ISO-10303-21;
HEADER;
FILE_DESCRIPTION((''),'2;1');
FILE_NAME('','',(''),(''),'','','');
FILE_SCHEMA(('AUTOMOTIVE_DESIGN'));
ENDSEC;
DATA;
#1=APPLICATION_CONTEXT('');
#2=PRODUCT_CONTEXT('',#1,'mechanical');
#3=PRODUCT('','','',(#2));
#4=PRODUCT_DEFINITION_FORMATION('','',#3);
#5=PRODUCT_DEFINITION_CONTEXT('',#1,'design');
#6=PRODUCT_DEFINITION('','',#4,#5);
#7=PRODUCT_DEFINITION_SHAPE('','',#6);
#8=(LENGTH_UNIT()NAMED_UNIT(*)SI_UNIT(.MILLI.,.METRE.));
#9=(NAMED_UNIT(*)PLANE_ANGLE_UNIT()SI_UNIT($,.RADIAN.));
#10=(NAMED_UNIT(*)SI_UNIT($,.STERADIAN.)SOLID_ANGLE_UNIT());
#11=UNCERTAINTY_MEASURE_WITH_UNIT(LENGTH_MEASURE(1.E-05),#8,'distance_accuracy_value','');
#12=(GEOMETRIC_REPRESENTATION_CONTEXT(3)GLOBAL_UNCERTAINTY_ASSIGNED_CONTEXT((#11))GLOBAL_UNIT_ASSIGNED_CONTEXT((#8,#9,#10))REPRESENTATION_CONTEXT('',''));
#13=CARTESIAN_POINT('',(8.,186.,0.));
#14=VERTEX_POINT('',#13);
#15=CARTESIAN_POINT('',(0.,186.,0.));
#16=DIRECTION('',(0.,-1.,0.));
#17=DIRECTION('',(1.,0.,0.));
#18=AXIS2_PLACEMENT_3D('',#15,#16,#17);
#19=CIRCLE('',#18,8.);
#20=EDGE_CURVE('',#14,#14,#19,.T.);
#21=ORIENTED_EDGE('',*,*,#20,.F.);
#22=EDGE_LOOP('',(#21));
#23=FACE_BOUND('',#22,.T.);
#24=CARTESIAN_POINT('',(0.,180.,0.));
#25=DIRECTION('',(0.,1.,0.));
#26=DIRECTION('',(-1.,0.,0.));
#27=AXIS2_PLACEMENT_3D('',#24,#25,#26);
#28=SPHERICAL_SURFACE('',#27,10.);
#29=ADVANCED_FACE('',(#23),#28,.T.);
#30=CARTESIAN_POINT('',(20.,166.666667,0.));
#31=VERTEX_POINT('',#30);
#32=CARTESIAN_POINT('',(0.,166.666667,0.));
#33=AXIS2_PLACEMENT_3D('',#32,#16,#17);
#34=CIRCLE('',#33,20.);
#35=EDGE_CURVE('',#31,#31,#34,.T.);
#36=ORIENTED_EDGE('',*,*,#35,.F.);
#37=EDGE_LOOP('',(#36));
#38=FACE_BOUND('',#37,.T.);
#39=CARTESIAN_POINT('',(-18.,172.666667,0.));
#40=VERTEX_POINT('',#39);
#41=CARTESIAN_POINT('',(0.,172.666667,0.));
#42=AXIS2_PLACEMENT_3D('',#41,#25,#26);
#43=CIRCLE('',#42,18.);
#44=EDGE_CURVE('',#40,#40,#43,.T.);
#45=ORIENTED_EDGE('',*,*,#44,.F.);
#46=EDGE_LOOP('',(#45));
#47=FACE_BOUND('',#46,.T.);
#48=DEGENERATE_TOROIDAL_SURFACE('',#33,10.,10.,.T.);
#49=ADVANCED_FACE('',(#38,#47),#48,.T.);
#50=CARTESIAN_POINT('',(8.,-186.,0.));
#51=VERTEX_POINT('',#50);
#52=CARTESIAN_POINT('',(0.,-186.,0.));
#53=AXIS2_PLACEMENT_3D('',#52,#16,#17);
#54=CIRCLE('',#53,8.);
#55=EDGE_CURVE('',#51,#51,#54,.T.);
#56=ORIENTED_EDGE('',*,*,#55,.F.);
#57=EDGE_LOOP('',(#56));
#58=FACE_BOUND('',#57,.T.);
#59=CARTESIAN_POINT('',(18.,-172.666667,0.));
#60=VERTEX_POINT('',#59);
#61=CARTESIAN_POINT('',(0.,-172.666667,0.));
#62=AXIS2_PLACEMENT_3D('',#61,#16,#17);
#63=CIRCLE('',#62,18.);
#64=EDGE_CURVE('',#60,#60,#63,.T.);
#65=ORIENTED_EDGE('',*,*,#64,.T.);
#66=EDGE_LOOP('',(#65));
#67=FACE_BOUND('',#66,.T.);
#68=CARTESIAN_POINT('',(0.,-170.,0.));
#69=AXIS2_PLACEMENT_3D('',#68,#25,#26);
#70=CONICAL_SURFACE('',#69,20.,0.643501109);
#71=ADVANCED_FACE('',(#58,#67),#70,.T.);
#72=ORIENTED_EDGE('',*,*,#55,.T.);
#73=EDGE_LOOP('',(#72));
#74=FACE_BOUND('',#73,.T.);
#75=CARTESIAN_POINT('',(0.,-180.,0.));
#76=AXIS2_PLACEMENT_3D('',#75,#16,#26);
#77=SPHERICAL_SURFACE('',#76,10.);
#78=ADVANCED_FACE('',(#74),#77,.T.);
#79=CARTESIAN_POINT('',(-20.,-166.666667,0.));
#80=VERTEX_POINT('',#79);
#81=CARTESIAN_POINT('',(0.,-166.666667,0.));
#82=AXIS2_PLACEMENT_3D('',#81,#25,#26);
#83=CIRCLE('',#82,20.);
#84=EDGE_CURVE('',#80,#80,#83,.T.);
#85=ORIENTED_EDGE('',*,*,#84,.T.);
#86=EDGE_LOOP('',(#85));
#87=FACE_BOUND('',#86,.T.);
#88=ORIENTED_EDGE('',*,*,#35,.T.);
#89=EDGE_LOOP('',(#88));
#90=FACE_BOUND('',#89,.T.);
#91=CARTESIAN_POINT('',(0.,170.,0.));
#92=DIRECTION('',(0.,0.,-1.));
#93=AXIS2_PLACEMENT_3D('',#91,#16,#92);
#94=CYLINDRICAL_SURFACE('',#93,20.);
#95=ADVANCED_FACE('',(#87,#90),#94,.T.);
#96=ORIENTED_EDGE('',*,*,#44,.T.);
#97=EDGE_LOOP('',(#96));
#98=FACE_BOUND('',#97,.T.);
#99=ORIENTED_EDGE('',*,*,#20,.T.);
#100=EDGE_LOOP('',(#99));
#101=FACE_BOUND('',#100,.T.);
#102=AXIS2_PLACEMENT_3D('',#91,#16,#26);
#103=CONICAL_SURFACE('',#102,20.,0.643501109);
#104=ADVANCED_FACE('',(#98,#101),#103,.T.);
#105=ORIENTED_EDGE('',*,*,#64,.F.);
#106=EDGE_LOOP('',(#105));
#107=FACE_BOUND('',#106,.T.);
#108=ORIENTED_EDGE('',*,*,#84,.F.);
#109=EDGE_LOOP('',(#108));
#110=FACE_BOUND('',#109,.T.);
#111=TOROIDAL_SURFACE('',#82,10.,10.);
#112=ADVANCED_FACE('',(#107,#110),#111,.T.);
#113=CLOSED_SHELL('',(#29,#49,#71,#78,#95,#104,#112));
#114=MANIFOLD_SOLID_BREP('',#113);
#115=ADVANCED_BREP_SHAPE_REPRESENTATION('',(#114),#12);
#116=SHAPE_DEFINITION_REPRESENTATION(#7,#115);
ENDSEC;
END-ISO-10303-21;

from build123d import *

# Parameters (mm, degrees)
SKETCH1_R           = 20
BOSS_EXTRUDE1_DEPTH = 170
FILLET1_R           = 10


with BuildPart() as part:
    # Sketch1 → Boss-Extrude1 (new, symmetric)
    with BuildSketch(Plane(origin=(0, 0, 0), x_dir=(-1, 0, 0), z_dir=(0, 1, 0))):
        with Locations(Location((0, 0, 0), (0, 0, 90))):
            Circle(SKETCH1_R)
    extrude(amount=BOSS_EXTRUDE1_DEPTH, both=True)

    # Sketch2 → Revolve1 (revolve)
    with BuildSketch(Plane(origin=(0, 0, 0), x_dir=(0, 1, 0), z_dir=(0, 0, 1)), mode=Mode.PRIVATE) as revolve1_sk:
        with BuildLine():
            Line((-170, 20), (-186, 8))
            ThreePointArc((-186, 8), (-188.94427191, 4.472135955), (-190, 0))
            Line((-190, 0), (-180, 0))
            Line((-180, 0), (-170, 0))
            Line((-170, 0), (-170, 20))
        make_face()
    revolve1 = revolve(revolve1_sk.sketch.rotate(Axis((0, -190, 0), (0, 1, 0)), 180), axis=Axis((0, -190, 0), (0, 1, 0)))

    # Mirror2: Revolve1 across plane
    add(revolve1.mirror(Plane.ZX))

    # Fillet1
    fillet1_edges = [part.edges().sort_by_distance(p)[0] for p in [
        (14.142135624, 170, 14.142135624),
        (-14.142135624, -170, -14.142135624),
    ]]
    fillet(fillet1_edges, radius=FILLET1_R)


solid = part.part
